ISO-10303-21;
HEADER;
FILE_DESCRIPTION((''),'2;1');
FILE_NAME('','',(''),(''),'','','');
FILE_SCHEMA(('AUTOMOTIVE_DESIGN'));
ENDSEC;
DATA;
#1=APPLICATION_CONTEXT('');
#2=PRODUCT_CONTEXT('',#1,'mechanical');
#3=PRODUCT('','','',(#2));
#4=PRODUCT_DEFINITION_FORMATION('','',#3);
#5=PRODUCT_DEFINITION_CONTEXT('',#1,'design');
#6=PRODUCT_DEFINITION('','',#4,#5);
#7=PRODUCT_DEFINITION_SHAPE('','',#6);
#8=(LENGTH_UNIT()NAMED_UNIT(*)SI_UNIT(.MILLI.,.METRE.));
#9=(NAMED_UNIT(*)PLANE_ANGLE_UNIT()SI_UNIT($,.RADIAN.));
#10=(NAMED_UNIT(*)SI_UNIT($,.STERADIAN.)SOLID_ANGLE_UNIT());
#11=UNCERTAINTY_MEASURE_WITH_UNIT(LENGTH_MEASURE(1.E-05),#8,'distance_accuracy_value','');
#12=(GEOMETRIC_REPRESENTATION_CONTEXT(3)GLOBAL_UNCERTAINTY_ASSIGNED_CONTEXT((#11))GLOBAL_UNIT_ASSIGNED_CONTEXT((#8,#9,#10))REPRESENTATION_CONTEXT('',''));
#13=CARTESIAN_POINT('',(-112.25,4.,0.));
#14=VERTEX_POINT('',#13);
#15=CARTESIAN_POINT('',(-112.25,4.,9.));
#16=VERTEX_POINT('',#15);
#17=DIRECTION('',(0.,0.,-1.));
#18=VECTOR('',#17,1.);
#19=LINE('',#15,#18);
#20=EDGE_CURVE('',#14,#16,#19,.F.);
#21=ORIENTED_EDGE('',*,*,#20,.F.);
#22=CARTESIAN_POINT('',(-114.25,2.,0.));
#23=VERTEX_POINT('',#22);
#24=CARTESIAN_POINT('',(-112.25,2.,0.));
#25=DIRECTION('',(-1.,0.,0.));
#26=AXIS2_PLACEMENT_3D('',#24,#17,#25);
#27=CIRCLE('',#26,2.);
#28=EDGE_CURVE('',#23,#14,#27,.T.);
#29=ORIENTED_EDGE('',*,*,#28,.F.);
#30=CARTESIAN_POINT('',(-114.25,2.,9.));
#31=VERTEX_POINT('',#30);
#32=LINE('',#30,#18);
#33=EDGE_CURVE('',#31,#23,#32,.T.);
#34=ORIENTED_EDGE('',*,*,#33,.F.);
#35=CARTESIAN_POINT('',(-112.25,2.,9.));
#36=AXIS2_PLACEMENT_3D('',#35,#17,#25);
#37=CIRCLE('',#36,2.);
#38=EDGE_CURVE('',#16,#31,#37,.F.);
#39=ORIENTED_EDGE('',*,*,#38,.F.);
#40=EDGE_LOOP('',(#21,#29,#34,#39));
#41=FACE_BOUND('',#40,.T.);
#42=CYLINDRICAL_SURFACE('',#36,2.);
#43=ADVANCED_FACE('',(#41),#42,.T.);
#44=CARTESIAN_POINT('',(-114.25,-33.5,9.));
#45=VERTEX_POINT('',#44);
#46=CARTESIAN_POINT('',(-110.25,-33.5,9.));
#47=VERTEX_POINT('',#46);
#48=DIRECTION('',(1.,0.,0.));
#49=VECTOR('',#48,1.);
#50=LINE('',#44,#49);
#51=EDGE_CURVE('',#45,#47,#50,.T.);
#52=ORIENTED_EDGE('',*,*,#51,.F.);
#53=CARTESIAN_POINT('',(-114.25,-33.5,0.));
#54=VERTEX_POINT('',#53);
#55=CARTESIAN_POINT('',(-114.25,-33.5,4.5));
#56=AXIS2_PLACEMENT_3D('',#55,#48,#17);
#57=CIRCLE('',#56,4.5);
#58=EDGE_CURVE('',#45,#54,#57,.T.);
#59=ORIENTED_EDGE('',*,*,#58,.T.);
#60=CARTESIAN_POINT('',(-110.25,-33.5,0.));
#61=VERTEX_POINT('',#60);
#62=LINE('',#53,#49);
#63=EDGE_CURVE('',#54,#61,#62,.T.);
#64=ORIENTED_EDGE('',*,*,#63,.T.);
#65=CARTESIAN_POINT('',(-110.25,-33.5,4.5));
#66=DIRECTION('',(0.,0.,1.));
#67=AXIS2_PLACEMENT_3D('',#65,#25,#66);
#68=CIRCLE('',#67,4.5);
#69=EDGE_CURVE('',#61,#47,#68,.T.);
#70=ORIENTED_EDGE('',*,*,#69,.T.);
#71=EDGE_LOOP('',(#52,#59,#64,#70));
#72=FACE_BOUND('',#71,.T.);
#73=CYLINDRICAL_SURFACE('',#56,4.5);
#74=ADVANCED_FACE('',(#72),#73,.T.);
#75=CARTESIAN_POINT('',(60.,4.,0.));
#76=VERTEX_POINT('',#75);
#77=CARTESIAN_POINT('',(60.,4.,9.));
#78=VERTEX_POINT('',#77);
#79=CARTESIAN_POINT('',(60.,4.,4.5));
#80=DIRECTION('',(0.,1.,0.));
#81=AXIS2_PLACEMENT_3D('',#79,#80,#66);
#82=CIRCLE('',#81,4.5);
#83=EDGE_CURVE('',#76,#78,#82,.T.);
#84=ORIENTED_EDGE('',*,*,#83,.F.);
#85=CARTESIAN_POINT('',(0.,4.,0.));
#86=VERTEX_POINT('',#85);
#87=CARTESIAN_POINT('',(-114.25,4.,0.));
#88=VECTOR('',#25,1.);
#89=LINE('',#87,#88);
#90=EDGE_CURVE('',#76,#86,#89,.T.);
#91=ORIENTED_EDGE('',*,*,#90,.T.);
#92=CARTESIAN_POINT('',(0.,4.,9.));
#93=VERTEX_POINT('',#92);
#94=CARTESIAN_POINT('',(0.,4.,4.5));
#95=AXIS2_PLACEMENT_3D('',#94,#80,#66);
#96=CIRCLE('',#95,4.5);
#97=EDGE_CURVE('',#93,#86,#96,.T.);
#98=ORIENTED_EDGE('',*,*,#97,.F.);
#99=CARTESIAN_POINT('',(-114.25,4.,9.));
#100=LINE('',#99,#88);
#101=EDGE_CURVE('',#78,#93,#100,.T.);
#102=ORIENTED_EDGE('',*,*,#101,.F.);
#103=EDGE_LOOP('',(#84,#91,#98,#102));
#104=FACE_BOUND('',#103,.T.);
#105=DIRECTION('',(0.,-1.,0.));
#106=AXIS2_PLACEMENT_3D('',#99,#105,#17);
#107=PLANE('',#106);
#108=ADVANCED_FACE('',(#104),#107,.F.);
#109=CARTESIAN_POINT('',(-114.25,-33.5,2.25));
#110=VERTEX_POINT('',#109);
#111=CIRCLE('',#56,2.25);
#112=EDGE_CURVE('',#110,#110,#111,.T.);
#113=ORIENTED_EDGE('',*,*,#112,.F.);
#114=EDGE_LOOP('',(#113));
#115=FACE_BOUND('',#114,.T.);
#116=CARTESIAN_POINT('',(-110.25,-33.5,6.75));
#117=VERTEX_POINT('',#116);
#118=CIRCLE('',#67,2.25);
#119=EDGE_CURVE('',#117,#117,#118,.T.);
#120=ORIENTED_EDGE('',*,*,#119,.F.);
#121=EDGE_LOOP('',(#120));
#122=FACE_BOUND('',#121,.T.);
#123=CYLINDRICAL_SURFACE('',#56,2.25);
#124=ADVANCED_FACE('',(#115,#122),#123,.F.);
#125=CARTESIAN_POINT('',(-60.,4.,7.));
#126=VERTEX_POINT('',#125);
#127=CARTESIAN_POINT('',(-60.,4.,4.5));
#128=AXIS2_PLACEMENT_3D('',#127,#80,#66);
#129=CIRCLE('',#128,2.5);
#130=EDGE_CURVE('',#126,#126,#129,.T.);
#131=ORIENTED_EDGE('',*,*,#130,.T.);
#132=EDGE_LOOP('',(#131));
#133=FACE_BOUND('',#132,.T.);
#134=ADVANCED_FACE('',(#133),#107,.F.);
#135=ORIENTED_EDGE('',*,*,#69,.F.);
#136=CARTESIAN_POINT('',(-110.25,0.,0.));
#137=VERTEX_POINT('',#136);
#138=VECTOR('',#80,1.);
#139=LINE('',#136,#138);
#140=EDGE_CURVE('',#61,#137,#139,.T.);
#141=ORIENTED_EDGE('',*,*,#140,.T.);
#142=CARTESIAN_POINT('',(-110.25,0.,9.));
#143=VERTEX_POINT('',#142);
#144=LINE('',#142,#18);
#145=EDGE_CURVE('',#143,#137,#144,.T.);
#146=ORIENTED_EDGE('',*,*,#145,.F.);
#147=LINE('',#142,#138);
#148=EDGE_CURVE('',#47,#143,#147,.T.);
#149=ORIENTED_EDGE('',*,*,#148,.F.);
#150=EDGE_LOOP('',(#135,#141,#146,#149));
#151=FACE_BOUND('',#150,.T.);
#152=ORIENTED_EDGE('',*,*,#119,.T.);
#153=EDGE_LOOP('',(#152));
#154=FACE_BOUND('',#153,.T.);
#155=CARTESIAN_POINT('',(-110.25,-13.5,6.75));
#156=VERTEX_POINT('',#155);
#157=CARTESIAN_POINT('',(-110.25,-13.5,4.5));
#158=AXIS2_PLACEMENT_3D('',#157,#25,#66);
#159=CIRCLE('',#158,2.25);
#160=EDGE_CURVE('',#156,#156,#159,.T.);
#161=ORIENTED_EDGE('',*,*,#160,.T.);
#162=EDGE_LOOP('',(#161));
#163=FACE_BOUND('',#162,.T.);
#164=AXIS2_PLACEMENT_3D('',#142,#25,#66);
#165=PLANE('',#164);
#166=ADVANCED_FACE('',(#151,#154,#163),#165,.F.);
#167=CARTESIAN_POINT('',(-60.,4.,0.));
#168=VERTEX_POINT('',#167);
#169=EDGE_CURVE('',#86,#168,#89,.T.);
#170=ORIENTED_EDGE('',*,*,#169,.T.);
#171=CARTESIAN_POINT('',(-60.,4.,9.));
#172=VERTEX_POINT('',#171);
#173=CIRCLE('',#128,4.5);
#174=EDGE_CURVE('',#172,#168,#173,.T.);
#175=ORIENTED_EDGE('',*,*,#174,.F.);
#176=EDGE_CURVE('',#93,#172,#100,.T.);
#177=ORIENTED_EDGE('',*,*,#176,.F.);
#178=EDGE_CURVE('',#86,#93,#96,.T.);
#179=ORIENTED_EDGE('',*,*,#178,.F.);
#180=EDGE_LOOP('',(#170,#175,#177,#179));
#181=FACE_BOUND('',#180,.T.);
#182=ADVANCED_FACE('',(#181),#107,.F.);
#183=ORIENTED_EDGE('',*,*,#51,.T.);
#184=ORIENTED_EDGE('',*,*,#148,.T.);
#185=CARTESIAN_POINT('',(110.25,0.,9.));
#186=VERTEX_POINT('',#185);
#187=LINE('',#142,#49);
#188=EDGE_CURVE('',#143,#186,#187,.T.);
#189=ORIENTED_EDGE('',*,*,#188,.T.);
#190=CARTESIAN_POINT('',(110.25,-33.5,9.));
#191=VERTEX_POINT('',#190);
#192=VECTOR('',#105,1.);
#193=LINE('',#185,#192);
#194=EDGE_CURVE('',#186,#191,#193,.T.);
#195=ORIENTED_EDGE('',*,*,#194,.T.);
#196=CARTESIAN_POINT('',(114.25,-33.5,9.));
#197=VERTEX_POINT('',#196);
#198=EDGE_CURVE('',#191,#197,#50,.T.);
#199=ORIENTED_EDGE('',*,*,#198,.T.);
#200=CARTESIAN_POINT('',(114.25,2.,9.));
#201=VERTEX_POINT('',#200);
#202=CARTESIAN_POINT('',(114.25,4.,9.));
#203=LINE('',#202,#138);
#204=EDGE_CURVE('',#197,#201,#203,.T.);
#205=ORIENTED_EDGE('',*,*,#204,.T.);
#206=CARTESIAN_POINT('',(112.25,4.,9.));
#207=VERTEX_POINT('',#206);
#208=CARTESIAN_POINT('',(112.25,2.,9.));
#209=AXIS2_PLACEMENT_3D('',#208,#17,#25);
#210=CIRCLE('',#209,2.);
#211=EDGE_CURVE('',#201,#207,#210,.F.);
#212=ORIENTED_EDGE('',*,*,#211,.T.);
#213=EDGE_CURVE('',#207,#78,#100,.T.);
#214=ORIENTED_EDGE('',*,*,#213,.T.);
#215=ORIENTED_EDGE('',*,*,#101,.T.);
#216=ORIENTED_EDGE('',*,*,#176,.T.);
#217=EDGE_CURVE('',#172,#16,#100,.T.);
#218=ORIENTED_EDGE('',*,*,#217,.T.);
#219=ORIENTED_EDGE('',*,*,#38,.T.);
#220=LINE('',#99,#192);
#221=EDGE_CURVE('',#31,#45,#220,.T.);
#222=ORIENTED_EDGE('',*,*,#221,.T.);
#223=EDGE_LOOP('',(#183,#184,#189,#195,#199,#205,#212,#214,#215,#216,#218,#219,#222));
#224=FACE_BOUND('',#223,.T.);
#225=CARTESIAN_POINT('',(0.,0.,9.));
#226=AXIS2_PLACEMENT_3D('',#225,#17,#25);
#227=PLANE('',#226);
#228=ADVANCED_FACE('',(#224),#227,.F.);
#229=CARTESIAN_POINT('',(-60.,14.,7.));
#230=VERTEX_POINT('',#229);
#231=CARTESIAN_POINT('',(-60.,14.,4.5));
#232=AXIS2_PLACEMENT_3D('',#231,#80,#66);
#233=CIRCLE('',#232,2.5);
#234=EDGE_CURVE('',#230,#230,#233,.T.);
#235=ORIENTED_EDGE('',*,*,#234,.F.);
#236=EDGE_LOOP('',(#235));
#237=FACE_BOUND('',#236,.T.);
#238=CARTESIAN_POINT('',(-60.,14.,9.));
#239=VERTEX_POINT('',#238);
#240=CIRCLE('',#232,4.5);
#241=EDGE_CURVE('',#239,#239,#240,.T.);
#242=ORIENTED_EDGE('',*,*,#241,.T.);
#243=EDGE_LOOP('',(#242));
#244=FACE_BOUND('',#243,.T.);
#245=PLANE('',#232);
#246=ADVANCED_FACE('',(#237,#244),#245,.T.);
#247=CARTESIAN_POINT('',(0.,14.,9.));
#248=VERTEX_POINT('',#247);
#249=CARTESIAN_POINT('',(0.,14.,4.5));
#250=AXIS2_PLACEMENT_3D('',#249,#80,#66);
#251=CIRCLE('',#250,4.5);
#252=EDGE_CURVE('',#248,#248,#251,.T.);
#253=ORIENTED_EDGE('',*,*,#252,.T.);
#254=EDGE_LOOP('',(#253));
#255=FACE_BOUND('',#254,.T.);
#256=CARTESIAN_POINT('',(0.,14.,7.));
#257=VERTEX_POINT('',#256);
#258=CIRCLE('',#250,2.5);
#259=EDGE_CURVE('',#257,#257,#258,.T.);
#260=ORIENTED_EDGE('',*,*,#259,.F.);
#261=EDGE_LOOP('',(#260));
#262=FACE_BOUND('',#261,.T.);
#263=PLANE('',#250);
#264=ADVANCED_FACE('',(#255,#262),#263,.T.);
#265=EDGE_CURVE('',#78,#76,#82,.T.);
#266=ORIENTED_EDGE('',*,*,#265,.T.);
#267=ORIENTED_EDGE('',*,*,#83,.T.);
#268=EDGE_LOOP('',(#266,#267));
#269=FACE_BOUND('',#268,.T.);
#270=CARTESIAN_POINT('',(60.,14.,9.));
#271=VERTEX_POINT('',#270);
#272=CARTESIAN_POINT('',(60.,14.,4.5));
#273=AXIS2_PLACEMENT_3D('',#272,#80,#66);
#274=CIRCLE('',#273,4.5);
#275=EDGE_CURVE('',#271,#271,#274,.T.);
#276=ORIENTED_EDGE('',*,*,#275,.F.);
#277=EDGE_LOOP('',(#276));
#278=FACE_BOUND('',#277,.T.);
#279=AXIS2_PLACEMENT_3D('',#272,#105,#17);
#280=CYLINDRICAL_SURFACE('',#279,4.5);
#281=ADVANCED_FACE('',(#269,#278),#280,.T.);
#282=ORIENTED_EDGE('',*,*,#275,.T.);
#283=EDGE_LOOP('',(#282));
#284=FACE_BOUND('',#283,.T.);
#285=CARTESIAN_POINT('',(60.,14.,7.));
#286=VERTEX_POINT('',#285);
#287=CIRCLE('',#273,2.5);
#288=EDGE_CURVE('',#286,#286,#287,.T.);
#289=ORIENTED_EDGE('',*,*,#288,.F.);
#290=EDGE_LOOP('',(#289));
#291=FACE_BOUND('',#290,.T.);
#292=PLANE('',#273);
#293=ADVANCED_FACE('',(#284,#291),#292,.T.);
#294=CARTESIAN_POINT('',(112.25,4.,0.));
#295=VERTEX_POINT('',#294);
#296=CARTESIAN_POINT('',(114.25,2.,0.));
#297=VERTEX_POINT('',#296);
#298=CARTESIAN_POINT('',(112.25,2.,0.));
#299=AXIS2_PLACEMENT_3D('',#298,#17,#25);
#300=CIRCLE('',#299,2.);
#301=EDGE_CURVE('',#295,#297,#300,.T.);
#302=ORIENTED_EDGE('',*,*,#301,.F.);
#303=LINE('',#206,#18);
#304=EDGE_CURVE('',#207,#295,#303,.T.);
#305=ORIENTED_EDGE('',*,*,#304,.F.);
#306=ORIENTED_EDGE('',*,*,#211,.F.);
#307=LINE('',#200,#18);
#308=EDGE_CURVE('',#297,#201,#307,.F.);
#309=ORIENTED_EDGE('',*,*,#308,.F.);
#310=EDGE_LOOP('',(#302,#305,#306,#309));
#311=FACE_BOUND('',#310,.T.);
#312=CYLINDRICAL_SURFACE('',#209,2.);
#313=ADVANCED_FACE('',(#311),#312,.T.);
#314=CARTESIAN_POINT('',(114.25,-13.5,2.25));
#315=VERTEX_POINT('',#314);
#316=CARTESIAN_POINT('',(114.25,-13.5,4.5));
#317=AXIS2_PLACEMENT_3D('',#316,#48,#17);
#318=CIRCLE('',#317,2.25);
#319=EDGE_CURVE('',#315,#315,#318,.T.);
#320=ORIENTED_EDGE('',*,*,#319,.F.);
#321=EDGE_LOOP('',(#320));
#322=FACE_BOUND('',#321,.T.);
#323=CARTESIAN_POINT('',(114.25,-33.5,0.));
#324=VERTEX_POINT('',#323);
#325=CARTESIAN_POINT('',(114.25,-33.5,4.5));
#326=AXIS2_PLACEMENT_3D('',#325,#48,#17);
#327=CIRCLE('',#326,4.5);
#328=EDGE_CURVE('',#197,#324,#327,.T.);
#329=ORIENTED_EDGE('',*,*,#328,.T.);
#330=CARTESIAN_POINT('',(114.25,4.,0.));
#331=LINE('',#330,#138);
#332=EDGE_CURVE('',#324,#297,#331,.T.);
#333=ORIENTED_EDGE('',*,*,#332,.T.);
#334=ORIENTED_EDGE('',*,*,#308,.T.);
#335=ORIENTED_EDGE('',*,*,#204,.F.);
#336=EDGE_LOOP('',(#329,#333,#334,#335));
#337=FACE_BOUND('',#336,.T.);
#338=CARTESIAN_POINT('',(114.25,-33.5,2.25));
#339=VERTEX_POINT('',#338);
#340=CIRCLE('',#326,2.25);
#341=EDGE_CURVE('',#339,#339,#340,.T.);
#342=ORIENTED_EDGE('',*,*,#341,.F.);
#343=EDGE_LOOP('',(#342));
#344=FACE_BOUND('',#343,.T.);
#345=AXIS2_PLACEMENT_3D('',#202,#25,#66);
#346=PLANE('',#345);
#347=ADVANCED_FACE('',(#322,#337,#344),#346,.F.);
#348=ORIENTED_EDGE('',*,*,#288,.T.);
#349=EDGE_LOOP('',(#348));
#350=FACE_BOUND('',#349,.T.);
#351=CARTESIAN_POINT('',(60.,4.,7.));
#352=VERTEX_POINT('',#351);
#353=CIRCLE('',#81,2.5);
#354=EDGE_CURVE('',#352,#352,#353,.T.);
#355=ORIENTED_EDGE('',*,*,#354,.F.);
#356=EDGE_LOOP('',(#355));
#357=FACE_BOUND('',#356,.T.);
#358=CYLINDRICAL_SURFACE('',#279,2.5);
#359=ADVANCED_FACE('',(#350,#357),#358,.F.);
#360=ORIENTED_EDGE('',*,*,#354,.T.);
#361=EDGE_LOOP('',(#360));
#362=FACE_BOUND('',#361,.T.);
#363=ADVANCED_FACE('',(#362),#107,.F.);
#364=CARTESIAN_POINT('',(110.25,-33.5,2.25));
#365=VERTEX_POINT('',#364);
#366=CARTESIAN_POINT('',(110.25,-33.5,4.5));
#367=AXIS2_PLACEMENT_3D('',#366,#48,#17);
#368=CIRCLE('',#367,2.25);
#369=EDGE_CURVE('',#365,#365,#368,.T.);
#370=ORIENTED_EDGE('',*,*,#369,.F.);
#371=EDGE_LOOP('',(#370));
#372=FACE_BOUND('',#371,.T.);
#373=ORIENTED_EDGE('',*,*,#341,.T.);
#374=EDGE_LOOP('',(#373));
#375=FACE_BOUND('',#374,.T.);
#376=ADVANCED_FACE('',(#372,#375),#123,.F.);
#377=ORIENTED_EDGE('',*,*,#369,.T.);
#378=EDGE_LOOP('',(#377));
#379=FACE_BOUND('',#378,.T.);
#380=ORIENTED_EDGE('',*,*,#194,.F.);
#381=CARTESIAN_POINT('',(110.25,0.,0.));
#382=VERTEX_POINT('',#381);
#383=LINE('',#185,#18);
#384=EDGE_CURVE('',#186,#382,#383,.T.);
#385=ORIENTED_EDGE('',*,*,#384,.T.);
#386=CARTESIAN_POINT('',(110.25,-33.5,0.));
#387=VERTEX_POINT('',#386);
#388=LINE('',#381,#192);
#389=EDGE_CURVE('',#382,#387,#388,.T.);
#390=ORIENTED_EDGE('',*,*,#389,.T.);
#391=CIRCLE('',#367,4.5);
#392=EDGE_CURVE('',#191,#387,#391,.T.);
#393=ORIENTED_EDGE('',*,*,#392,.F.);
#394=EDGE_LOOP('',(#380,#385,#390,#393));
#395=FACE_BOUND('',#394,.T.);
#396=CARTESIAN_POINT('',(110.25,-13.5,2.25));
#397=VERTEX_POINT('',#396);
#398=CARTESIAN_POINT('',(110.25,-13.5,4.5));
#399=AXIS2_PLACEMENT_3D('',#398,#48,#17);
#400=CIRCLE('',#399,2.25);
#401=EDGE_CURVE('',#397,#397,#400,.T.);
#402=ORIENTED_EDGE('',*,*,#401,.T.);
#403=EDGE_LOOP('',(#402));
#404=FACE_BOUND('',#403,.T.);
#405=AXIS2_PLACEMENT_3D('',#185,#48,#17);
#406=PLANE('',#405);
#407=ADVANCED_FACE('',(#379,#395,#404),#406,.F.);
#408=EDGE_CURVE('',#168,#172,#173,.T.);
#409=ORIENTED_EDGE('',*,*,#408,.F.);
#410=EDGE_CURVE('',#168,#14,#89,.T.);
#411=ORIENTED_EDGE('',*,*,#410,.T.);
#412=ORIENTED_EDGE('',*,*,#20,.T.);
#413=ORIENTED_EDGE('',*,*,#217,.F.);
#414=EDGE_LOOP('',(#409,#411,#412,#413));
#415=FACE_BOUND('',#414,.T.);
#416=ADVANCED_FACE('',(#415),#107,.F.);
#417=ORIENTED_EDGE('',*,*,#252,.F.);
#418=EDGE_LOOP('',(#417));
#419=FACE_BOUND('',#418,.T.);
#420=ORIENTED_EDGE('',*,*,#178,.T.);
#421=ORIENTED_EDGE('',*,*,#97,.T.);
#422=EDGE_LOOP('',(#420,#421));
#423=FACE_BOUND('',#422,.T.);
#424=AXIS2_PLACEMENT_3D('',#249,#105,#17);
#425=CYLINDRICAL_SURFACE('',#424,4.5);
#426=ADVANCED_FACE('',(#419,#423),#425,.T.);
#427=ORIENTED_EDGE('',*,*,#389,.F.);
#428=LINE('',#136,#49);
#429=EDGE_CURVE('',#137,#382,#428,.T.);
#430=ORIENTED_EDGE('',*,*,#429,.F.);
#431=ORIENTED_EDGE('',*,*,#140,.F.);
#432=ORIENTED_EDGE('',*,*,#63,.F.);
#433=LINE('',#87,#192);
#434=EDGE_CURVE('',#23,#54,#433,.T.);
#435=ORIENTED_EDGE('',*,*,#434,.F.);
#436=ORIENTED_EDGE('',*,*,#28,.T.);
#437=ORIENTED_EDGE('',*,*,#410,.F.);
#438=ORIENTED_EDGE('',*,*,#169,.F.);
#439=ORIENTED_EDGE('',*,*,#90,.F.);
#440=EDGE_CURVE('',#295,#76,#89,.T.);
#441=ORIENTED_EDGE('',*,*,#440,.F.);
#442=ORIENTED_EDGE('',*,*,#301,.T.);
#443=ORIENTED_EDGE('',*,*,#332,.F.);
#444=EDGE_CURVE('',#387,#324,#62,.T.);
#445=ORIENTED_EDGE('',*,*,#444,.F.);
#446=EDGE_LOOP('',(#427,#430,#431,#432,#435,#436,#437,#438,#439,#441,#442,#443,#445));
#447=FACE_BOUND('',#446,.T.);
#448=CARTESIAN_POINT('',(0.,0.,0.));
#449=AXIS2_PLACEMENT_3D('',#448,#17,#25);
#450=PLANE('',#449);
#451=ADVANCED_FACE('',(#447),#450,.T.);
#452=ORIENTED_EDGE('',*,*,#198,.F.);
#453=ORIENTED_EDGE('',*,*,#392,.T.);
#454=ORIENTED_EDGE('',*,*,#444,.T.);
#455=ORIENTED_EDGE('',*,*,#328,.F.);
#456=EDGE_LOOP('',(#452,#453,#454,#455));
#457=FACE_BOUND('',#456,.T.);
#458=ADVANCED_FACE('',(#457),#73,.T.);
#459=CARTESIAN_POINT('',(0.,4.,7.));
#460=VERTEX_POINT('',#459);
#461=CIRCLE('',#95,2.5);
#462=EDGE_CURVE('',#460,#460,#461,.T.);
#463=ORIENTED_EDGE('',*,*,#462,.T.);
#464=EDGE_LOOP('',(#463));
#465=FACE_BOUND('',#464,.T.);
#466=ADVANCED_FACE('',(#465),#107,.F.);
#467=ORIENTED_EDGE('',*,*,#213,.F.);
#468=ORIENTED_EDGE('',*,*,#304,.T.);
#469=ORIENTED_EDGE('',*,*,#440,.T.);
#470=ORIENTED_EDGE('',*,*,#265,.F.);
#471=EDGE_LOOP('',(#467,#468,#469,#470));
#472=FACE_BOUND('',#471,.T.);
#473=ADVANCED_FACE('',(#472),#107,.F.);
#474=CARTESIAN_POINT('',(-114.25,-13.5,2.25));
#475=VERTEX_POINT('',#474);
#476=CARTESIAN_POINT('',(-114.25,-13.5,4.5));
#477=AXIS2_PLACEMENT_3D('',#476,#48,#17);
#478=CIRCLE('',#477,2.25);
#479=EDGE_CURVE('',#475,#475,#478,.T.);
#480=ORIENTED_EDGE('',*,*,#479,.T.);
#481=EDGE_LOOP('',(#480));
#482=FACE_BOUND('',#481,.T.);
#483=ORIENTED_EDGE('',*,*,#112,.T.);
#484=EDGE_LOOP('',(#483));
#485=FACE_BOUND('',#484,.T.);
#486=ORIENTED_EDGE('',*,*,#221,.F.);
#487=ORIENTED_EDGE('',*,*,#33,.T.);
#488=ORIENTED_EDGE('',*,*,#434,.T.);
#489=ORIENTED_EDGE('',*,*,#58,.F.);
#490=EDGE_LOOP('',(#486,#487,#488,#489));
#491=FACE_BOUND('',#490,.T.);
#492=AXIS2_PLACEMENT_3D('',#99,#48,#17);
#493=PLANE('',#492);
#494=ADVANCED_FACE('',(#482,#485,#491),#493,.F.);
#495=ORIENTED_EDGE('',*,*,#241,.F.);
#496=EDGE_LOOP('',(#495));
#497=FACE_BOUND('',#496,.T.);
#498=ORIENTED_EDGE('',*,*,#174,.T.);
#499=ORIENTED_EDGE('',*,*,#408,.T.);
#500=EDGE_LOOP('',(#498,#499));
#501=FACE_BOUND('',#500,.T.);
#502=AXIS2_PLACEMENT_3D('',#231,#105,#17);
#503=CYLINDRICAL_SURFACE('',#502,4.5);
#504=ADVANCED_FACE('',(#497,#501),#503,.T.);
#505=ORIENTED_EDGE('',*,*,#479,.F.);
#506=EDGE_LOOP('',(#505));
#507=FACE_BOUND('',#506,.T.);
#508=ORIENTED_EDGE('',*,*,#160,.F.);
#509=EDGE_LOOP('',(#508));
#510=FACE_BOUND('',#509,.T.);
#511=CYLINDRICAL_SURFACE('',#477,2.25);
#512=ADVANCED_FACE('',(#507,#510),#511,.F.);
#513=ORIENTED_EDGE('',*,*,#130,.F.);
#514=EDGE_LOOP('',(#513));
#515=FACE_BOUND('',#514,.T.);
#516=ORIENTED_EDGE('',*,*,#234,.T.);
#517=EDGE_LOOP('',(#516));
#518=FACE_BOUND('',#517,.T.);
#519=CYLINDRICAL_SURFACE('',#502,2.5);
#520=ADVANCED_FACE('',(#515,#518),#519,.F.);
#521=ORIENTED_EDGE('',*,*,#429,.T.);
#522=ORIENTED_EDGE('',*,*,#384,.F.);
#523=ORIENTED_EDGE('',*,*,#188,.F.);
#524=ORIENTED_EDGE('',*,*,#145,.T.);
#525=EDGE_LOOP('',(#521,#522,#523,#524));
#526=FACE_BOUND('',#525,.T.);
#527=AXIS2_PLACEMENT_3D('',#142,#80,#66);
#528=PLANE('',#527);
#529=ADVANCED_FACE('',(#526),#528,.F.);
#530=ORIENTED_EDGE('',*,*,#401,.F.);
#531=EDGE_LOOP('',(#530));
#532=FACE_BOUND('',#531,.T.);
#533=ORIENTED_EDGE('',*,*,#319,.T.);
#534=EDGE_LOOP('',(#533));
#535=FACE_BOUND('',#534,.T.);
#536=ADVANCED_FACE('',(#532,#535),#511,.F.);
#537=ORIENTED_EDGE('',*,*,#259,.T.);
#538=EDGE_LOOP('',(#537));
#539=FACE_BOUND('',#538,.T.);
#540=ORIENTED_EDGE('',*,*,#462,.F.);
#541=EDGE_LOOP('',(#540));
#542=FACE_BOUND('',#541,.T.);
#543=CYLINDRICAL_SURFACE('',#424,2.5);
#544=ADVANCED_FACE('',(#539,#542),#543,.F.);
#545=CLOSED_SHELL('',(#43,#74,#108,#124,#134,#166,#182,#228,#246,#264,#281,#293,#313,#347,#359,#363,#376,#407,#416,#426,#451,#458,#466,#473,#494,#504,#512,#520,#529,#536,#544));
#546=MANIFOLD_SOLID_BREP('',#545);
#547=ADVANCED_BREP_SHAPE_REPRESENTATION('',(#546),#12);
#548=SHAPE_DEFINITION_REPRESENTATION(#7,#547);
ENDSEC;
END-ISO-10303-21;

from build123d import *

# Parameters (mm, degrees)
BOSS_EXTRUDE1_DEPTH = 9
SKETCH2_R           = 2.25
CUT_EXTRUDE1_DEPTH  = 229.5
FILLET1_R           = 2
SKETCH3_R           = 4.5
SKETCH3_R_2         = 2.5
BOSS_EXTRUDE2_DEPTH = 10


with BuildPart() as part:
    # Sketch1 → Boss-Extrude1 (new body)
    with BuildSketch(Plane.XY):
        Polygon((-110.25, 0), (110.25, 0), (110.25, -38), (114.25, -38), (114.25, 4), (-114.25, 4), (-114.25, -38), (-110.25, -38), align=None)
    extrude(amount=BOSS_EXTRUDE1_DEPTH)

    # Sketch2 → Cut-Extrude1 (cut, through all)
    with BuildSketch(Plane(origin=(114.25, 0, 0), x_dir=(0, 0, -1), z_dir=(1, 0, 0))):
        with Locations((-4.5, -13.5)):
            Circle(SKETCH2_R)
        with BuildLine():
            ThreePointArc((-4.5, -38), (-7.681980515, -36.681980515), (-9, -33.5))
            Line((-9, -33.5), (-9, -38))
            Line((-9, -38), (-4.5, -38))
        make_face()
        with BuildLine():
            Line((0, -38), (0, -33.5))
            ThreePointArc((0, -33.5), (-1.318019485, -36.681980515), (-4.5, -38))
            Line((-4.5, -38), (0, -38))
        make_face()
        with Locations((-4.5, -33.5)):
            Circle(SKETCH2_R)
    extrude(amount=-CUT_EXTRUDE1_DEPTH, mode=Mode.SUBTRACT)

    # Fillet1
    fillet1_edges = [part.edges().sort_by_distance(p)[0] for p in [
        (114.25, 4, 4.5),
        (-114.25, 4, 4.5),
    ]]
    fillet(fillet1_edges, radius=FILLET1_R)

    # Sketch3 → Boss-Extrude2 (add)
    with BuildSketch(Plane(origin=(0, 4, 0), x_dir=(1, 0, 0), z_dir=(0, 1, 0))):
        with Locations((0, -4.5)):
            Circle(SKETCH3_R)
        with Locations((0, -4.5)):
            Circle(SKETCH3_R_2, mode=Mode.SUBTRACT)
        with Locations((60, -4.5)):
            Circle(SKETCH3_R)
        with Locations((60, -4.5)):
            Circle(SKETCH3_R_2, mode=Mode.SUBTRACT)
        with Locations((-60, -4.5)):
            Circle(SKETCH3_R)
        with Locations((-60, -4.5)):
            Circle(SKETCH3_R_2, mode=Mode.SUBTRACT)
    extrude(amount=BOSS_EXTRUDE2_DEPTH)


solid = part.part
